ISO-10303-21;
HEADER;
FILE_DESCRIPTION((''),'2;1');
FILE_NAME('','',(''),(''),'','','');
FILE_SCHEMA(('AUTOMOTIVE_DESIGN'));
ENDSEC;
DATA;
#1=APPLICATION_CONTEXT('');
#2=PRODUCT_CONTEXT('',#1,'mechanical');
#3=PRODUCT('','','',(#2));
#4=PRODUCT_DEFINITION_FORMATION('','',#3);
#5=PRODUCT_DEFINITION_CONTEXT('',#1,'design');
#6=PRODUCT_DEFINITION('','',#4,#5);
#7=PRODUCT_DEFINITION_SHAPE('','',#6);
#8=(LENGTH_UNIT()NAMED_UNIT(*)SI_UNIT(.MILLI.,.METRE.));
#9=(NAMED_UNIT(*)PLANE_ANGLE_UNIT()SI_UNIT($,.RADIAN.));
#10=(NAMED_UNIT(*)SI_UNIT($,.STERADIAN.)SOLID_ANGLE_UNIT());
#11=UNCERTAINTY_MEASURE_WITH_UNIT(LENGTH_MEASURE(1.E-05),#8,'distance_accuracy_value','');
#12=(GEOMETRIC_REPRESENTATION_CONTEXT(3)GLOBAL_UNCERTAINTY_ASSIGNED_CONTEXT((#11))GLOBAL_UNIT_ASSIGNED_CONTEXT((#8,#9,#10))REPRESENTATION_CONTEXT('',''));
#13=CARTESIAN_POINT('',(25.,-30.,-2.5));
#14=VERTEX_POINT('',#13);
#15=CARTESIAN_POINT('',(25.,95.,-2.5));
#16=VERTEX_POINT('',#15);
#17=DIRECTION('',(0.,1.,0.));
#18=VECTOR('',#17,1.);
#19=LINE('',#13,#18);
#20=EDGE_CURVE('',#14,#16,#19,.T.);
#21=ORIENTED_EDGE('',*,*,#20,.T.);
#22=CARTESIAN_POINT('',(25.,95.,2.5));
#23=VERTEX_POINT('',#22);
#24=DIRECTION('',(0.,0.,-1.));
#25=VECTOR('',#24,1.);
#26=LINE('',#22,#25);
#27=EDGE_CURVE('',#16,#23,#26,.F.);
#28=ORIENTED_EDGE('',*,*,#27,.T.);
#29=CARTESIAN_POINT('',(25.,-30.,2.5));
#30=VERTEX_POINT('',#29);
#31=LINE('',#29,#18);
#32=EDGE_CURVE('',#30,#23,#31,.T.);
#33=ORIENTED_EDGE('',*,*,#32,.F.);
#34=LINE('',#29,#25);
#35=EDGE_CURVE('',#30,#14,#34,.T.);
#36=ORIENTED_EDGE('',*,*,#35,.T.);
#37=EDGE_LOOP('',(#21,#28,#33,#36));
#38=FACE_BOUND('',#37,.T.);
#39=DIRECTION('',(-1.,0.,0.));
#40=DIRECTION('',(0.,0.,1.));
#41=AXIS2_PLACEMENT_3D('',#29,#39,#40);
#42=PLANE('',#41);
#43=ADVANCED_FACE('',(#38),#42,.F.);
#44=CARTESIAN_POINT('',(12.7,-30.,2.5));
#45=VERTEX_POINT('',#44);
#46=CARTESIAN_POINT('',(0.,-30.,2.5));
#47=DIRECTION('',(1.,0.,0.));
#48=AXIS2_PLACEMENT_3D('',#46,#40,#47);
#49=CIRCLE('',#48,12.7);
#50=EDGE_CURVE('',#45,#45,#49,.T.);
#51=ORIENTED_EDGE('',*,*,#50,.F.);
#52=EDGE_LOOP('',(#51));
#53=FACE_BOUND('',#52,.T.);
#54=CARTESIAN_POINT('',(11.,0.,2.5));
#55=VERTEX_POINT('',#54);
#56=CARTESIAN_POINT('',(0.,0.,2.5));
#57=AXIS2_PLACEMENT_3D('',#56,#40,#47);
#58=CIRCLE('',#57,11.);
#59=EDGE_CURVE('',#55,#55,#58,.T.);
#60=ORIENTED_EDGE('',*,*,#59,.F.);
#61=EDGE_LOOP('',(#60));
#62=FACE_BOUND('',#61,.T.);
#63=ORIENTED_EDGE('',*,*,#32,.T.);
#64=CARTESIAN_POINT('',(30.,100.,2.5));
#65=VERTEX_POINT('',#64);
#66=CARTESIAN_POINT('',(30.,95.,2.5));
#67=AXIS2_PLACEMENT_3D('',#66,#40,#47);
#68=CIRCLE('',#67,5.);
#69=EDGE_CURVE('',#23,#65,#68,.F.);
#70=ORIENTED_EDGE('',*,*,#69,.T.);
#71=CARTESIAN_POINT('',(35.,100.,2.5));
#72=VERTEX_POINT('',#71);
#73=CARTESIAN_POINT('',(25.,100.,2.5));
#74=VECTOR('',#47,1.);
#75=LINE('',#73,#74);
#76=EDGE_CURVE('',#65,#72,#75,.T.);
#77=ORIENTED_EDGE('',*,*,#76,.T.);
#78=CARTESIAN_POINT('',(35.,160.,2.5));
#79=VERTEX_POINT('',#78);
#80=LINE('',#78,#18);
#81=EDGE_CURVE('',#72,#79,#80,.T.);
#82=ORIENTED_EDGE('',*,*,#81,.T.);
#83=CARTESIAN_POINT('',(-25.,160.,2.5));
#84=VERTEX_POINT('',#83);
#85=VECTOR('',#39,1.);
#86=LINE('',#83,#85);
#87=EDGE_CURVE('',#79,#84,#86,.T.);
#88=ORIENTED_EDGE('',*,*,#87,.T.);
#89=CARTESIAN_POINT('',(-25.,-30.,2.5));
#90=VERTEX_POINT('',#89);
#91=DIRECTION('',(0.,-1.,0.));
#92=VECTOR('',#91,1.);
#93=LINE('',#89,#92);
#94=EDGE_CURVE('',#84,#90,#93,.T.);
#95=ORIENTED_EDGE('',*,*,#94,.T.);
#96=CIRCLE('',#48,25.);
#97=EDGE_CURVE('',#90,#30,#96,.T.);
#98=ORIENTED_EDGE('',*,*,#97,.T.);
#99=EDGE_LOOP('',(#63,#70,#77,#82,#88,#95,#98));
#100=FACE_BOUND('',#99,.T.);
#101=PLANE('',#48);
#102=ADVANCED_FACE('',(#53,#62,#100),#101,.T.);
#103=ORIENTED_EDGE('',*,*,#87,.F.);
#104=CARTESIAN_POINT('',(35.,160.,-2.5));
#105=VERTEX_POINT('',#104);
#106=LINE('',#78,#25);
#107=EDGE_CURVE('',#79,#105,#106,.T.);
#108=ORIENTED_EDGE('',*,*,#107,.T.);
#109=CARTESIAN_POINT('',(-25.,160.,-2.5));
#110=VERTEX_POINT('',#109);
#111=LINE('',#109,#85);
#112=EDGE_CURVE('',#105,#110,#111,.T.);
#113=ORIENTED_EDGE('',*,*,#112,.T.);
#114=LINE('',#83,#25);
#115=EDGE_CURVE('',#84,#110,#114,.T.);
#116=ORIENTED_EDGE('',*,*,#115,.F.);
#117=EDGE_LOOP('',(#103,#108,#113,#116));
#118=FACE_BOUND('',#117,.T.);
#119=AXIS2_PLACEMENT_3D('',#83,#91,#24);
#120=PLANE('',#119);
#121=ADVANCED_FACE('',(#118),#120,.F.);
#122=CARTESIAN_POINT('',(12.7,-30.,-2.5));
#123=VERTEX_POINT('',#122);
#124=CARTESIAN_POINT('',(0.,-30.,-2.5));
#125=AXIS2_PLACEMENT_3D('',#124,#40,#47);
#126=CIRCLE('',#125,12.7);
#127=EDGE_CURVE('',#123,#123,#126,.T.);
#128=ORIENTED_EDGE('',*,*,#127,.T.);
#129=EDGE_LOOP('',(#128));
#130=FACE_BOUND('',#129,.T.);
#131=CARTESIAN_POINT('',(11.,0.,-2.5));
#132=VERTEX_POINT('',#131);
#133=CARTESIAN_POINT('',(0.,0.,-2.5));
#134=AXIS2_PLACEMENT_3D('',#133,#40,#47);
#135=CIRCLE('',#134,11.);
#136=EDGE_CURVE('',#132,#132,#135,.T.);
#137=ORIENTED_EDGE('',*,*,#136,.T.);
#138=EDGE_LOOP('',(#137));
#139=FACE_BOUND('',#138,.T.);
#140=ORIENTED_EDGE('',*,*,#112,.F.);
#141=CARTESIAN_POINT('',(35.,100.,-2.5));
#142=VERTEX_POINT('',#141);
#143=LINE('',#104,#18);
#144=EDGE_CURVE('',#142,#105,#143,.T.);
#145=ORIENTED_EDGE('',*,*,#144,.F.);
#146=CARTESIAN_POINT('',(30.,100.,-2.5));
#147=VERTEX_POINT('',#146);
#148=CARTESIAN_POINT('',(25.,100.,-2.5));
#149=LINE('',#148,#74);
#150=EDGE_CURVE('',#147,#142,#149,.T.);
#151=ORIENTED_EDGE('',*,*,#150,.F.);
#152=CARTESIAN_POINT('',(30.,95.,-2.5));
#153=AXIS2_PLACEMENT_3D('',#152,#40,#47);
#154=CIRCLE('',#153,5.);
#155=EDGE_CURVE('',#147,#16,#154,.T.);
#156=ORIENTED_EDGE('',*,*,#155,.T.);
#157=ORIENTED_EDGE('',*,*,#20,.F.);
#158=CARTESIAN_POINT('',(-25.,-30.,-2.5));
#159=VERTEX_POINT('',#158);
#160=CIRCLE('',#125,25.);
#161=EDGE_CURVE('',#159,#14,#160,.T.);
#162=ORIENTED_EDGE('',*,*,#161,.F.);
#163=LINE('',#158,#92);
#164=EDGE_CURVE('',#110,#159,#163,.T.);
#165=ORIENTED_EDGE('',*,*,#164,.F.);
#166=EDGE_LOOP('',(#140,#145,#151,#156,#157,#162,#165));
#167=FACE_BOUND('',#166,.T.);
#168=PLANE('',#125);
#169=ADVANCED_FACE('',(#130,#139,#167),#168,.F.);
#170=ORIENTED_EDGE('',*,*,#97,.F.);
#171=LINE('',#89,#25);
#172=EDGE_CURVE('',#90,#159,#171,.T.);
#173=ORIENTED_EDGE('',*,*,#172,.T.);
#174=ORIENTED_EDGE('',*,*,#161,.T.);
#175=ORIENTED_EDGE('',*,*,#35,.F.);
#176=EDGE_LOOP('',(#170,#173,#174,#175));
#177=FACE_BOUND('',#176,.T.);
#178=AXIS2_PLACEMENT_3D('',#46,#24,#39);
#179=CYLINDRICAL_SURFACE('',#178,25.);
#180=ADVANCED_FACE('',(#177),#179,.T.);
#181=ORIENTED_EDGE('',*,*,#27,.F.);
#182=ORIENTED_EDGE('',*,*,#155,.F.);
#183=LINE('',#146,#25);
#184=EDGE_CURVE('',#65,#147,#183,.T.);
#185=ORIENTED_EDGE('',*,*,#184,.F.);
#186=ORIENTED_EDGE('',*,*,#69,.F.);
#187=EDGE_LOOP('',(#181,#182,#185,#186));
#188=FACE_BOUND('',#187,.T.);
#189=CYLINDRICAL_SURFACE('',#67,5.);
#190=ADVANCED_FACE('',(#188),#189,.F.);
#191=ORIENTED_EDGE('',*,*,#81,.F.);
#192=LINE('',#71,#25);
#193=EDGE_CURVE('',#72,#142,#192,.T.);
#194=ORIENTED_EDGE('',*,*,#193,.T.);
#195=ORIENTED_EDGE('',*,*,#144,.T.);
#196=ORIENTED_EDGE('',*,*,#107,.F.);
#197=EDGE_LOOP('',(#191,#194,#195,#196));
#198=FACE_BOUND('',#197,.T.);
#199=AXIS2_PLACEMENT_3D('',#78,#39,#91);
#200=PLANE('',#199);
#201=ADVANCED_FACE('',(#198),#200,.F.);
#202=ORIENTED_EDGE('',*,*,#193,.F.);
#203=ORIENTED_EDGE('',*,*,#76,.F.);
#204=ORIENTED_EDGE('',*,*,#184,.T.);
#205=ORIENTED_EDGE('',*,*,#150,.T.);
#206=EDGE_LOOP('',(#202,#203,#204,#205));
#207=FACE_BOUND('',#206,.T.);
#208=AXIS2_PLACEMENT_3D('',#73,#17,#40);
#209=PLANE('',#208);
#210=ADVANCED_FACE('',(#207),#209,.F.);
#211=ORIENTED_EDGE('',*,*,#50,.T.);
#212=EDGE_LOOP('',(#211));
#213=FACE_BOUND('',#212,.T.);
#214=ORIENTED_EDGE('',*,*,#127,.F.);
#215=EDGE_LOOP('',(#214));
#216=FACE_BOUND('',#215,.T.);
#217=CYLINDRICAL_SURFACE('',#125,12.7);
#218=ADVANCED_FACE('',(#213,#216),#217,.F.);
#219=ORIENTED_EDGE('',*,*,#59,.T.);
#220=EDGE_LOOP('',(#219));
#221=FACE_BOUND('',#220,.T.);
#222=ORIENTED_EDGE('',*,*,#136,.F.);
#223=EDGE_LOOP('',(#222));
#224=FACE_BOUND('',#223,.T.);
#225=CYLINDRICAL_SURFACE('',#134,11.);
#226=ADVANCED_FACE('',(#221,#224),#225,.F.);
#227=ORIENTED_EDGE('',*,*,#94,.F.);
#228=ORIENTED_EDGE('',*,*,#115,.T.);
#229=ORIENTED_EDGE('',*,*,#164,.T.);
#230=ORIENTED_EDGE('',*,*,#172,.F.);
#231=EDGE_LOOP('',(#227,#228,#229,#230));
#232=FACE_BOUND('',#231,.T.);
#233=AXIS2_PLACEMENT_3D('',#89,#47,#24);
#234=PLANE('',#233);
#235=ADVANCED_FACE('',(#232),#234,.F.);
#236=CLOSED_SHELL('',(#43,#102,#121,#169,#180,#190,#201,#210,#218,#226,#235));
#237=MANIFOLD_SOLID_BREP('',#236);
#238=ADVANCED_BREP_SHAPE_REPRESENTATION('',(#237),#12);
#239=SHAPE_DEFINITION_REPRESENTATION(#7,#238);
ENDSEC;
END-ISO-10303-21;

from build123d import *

# Parameters (mm, degrees)
SKETCH1_R               = 25
BOSS_EXTRUDE1_DEPTH     = 2.5
SKETCH3_W               = 50
SKETCH3_H               = 190
BOSS_EXTRUDE2_DEPTH     = 2.5
SKETCH4_W               = 10
SKETCH4_H               = 60
BOSS_EXTRUDE3_DEPTH     = 2.5
CUT_EXTRUDE2_DEPTH      = 164.802472509
CUT_EXTRUDE2_DEPTH_BACK = 164.802472509
SKETCH7_R               = 11
SKETCH7_R_2             = 12.7
FILLET1_R               = 5


with BuildPart() as part:
    # Sketch1 → Boss-Extrude1 (new, symmetric)
    with BuildSketch(Plane.XY):
        with Locations((0, -30)):
            Circle(SKETCH1_R)
    extrude(amount=BOSS_EXTRUDE1_DEPTH, both=True)

    # Sketch3 → Boss-Extrude2 (add, symmetric)
    with BuildSketch(Plane.XY):
        with Locations((0, 65)):
            Rectangle(SKETCH3_W, SKETCH3_H)
    extrude(amount=BOSS_EXTRUDE2_DEPTH, both=True)

    # Sketch4 → Boss-Extrude3 (add, symmetric)
    with BuildSketch(Plane.XY):
        with Locations((30, 130)):
            Rectangle(SKETCH4_W, SKETCH4_H)
    extrude(amount=BOSS_EXTRUDE3_DEPTH, both=True)

    # Sketch7 → Cut-Extrude2 (cut, two sides: drawn at the far end of the back side and taken through both)
    with BuildSketch(Plane.XY.offset(-CUT_EXTRUDE2_DEPTH_BACK)):
        Circle(SKETCH7_R)
        with Locations((0, -30)):
            Circle(SKETCH7_R_2)
    extrude(amount=CUT_EXTRUDE2_DEPTH + CUT_EXTRUDE2_DEPTH_BACK, mode=Mode.SUBTRACT)

    # Fillet1
    fillet1_edges = [part.edges().sort_by_distance(p)[0] for p in [
        (25, 100, 0),
    ]]
    fillet(fillet1_edges, radius=FILLET1_R)


solid = part.part
